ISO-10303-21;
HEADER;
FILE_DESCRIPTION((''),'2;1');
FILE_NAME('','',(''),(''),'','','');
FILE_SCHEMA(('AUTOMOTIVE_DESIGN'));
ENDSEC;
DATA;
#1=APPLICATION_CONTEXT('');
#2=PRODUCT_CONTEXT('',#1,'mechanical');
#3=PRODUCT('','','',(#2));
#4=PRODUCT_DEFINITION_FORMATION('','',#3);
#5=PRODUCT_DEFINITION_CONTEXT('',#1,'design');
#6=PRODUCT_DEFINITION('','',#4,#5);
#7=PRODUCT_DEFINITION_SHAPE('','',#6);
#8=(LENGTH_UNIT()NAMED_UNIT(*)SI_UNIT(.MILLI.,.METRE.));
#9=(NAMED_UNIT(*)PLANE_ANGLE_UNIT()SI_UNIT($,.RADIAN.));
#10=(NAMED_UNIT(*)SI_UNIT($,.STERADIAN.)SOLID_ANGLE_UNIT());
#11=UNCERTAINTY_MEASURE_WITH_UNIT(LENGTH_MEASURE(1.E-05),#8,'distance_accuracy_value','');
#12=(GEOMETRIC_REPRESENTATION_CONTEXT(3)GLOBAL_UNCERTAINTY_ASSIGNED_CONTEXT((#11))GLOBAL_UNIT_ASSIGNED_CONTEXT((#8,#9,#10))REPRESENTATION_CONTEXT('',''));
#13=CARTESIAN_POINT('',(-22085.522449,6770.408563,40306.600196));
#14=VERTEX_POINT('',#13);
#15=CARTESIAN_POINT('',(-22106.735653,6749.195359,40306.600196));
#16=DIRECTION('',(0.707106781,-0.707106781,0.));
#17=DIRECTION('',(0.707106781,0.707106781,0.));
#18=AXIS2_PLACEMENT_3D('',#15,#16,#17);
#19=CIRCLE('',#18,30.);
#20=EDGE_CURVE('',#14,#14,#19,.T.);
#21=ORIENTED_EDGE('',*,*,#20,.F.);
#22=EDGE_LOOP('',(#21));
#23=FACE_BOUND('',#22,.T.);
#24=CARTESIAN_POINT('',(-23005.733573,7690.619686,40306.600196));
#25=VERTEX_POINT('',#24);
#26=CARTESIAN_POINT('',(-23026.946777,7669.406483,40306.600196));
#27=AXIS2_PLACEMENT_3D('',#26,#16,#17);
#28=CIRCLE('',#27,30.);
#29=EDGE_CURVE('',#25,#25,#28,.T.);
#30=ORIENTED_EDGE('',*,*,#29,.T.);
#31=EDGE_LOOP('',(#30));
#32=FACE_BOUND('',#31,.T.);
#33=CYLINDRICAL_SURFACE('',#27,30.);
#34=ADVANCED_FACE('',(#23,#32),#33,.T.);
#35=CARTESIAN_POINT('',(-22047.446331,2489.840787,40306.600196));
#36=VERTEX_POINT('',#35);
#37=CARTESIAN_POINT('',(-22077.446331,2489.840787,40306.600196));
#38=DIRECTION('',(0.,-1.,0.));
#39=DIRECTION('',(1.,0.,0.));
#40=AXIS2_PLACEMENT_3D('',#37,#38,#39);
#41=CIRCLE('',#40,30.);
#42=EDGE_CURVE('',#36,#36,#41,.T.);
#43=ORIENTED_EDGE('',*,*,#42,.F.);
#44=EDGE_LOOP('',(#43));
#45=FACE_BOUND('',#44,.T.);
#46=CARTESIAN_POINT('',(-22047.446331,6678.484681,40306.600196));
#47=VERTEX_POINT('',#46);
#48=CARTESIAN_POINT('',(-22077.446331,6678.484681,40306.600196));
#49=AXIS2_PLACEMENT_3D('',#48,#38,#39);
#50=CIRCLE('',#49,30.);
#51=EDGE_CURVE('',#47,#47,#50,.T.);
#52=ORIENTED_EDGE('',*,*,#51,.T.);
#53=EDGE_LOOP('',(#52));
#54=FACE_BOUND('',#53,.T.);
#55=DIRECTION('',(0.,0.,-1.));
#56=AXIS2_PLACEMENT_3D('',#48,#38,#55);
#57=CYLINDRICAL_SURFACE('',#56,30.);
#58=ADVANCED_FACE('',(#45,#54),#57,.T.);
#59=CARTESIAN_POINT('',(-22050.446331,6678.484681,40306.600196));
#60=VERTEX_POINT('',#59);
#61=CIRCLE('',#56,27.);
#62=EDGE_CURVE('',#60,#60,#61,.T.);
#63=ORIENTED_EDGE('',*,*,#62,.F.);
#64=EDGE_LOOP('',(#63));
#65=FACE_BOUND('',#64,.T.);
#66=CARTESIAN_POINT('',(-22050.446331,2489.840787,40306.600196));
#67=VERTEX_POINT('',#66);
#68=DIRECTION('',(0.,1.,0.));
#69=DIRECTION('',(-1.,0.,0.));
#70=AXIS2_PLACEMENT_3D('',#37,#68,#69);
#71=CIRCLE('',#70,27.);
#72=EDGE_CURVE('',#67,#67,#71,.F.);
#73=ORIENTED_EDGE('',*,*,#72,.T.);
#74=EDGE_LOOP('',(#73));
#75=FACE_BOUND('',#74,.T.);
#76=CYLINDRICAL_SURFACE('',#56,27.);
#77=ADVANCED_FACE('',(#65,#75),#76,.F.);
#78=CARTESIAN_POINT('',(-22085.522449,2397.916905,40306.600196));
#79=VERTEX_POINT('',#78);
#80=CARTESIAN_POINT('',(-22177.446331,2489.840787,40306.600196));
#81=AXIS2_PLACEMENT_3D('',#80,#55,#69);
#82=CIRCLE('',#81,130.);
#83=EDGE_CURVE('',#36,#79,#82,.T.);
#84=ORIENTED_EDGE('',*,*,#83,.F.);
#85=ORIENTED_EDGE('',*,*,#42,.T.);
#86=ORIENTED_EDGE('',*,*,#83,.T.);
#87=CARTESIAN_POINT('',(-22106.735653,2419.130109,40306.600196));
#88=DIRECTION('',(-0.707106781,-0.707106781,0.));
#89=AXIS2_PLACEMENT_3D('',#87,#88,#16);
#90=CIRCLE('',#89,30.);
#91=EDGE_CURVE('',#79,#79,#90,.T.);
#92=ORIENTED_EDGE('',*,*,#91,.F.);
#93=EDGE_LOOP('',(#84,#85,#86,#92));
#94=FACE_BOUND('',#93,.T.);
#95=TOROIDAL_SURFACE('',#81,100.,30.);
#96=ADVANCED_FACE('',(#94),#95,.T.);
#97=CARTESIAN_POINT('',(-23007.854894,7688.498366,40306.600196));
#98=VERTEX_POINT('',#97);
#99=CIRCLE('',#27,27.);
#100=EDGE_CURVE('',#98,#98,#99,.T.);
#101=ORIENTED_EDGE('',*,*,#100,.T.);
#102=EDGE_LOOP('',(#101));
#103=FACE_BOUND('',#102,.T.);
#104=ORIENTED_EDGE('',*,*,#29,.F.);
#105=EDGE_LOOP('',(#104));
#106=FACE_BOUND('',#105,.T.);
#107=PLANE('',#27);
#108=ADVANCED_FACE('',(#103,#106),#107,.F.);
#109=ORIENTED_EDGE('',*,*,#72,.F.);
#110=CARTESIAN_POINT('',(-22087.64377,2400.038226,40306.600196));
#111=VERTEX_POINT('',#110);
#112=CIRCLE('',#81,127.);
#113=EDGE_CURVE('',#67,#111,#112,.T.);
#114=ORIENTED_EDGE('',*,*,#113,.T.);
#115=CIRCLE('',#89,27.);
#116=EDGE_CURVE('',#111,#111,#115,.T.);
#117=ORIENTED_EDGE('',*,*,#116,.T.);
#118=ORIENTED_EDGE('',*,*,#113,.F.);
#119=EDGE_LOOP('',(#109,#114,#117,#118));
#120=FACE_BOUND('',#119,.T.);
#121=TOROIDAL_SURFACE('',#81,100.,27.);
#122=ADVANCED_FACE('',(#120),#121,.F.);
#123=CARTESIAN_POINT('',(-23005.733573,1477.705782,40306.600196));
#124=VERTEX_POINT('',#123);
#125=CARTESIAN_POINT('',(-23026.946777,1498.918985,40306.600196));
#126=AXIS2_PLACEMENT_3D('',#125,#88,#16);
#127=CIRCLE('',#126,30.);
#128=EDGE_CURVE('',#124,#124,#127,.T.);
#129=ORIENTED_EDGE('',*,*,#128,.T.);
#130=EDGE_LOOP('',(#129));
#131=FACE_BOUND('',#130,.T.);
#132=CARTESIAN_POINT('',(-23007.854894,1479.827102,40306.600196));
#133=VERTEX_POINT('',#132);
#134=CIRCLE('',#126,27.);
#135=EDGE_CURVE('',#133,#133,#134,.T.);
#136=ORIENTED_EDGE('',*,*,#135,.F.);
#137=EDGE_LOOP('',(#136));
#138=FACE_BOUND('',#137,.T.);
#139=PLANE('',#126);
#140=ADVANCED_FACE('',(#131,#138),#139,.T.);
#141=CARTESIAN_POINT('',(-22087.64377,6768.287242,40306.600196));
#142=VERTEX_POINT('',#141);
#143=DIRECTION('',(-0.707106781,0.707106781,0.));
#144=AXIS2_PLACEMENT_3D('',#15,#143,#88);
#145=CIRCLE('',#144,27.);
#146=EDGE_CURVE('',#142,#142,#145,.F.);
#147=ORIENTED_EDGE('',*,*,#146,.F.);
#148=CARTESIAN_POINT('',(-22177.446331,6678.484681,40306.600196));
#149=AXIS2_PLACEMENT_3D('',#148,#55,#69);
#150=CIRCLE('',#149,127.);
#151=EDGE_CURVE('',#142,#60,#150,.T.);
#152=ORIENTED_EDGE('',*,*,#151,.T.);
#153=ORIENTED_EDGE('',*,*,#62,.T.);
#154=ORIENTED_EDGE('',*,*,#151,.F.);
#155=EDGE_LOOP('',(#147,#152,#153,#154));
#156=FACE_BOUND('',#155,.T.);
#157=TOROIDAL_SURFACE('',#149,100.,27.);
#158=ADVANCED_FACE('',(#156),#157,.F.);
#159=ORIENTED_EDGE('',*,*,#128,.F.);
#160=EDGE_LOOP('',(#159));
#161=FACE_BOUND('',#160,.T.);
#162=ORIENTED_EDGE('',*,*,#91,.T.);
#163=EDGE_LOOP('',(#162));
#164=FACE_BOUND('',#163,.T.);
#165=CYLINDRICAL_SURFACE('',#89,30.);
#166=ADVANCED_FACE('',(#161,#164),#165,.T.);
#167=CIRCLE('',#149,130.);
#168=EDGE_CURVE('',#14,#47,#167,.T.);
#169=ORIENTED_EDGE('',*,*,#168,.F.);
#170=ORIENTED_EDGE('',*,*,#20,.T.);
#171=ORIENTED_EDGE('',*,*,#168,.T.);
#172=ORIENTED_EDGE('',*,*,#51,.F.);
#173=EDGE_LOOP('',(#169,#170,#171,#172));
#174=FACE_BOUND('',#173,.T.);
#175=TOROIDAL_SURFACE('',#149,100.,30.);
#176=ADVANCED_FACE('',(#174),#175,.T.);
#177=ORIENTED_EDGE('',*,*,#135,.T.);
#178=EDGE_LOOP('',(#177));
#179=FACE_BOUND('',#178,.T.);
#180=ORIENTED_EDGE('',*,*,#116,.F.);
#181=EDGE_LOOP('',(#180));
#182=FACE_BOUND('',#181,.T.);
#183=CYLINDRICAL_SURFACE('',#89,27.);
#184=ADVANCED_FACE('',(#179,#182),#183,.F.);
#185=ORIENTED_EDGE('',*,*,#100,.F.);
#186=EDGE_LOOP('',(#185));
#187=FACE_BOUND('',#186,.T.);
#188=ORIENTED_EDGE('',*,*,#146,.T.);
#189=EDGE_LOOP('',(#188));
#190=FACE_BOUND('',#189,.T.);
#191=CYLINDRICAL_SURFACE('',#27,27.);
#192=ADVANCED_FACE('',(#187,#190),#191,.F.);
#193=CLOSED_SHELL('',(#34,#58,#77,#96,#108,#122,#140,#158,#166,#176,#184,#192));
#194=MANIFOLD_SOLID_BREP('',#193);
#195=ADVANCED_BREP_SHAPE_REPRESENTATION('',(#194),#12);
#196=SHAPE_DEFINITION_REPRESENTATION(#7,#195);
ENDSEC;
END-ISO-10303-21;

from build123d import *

# Parameters (mm, degrees)
SWEEP_THIN1_PROFILE_R   = 30
SWEEP_THIN1_PROFILE_R_2 = 27


with BuildPart() as part:
    # Sweep-Thin1: sweep along a curve in space
    with BuildLine() as sweep_thin1_path:
        Line((-23026.9467766, 7669.406483062, 40306.600196068), (-22106.735652782, 6749.195359243, 40306.600196068))
        ThreePointArc((-22106.735652782, 6749.195359243, 40306.600196068), (-22085.058377649, 6716.753024361, 40306.600196068), (-22077.4463309, 6678.484681125, 40306.600196068))
        Line((-22077.4463309, 6678.484681125, 40306.600196068), (-22077.4463309, 2489.840786919, 40306.600196068))
        ThreePointArc((-22077.4463309, 2489.840786919, 40306.600196068), (-22085.058377649, 2451.572443682, 40306.600196068), (-22106.735652782, 2419.1301088, 40306.600196068))
        Line((-22106.735652782, 2419.1301088, 40306.600196068), (-23026.9467766, 1498.918984982, 40306.600196068))
    # Sweep-Thin1 profile (on start of the path) → Sweep-Thin1 (sweep)
    with BuildSketch(Plane(origin=(-23026.9467766, 7669.406483062, 40306.600196068), x_dir=(-0.7071067811865492, -0.7071067811865458, 0), z_dir=(0.7071067811865458, -0.7071067811865492, 0))):
        Circle(SWEEP_THIN1_PROFILE_R)
        Circle(SWEEP_THIN1_PROFILE_R_2, mode=Mode.SUBTRACT)
    sweep(path=sweep_thin1_path.line)


solid = part.part
